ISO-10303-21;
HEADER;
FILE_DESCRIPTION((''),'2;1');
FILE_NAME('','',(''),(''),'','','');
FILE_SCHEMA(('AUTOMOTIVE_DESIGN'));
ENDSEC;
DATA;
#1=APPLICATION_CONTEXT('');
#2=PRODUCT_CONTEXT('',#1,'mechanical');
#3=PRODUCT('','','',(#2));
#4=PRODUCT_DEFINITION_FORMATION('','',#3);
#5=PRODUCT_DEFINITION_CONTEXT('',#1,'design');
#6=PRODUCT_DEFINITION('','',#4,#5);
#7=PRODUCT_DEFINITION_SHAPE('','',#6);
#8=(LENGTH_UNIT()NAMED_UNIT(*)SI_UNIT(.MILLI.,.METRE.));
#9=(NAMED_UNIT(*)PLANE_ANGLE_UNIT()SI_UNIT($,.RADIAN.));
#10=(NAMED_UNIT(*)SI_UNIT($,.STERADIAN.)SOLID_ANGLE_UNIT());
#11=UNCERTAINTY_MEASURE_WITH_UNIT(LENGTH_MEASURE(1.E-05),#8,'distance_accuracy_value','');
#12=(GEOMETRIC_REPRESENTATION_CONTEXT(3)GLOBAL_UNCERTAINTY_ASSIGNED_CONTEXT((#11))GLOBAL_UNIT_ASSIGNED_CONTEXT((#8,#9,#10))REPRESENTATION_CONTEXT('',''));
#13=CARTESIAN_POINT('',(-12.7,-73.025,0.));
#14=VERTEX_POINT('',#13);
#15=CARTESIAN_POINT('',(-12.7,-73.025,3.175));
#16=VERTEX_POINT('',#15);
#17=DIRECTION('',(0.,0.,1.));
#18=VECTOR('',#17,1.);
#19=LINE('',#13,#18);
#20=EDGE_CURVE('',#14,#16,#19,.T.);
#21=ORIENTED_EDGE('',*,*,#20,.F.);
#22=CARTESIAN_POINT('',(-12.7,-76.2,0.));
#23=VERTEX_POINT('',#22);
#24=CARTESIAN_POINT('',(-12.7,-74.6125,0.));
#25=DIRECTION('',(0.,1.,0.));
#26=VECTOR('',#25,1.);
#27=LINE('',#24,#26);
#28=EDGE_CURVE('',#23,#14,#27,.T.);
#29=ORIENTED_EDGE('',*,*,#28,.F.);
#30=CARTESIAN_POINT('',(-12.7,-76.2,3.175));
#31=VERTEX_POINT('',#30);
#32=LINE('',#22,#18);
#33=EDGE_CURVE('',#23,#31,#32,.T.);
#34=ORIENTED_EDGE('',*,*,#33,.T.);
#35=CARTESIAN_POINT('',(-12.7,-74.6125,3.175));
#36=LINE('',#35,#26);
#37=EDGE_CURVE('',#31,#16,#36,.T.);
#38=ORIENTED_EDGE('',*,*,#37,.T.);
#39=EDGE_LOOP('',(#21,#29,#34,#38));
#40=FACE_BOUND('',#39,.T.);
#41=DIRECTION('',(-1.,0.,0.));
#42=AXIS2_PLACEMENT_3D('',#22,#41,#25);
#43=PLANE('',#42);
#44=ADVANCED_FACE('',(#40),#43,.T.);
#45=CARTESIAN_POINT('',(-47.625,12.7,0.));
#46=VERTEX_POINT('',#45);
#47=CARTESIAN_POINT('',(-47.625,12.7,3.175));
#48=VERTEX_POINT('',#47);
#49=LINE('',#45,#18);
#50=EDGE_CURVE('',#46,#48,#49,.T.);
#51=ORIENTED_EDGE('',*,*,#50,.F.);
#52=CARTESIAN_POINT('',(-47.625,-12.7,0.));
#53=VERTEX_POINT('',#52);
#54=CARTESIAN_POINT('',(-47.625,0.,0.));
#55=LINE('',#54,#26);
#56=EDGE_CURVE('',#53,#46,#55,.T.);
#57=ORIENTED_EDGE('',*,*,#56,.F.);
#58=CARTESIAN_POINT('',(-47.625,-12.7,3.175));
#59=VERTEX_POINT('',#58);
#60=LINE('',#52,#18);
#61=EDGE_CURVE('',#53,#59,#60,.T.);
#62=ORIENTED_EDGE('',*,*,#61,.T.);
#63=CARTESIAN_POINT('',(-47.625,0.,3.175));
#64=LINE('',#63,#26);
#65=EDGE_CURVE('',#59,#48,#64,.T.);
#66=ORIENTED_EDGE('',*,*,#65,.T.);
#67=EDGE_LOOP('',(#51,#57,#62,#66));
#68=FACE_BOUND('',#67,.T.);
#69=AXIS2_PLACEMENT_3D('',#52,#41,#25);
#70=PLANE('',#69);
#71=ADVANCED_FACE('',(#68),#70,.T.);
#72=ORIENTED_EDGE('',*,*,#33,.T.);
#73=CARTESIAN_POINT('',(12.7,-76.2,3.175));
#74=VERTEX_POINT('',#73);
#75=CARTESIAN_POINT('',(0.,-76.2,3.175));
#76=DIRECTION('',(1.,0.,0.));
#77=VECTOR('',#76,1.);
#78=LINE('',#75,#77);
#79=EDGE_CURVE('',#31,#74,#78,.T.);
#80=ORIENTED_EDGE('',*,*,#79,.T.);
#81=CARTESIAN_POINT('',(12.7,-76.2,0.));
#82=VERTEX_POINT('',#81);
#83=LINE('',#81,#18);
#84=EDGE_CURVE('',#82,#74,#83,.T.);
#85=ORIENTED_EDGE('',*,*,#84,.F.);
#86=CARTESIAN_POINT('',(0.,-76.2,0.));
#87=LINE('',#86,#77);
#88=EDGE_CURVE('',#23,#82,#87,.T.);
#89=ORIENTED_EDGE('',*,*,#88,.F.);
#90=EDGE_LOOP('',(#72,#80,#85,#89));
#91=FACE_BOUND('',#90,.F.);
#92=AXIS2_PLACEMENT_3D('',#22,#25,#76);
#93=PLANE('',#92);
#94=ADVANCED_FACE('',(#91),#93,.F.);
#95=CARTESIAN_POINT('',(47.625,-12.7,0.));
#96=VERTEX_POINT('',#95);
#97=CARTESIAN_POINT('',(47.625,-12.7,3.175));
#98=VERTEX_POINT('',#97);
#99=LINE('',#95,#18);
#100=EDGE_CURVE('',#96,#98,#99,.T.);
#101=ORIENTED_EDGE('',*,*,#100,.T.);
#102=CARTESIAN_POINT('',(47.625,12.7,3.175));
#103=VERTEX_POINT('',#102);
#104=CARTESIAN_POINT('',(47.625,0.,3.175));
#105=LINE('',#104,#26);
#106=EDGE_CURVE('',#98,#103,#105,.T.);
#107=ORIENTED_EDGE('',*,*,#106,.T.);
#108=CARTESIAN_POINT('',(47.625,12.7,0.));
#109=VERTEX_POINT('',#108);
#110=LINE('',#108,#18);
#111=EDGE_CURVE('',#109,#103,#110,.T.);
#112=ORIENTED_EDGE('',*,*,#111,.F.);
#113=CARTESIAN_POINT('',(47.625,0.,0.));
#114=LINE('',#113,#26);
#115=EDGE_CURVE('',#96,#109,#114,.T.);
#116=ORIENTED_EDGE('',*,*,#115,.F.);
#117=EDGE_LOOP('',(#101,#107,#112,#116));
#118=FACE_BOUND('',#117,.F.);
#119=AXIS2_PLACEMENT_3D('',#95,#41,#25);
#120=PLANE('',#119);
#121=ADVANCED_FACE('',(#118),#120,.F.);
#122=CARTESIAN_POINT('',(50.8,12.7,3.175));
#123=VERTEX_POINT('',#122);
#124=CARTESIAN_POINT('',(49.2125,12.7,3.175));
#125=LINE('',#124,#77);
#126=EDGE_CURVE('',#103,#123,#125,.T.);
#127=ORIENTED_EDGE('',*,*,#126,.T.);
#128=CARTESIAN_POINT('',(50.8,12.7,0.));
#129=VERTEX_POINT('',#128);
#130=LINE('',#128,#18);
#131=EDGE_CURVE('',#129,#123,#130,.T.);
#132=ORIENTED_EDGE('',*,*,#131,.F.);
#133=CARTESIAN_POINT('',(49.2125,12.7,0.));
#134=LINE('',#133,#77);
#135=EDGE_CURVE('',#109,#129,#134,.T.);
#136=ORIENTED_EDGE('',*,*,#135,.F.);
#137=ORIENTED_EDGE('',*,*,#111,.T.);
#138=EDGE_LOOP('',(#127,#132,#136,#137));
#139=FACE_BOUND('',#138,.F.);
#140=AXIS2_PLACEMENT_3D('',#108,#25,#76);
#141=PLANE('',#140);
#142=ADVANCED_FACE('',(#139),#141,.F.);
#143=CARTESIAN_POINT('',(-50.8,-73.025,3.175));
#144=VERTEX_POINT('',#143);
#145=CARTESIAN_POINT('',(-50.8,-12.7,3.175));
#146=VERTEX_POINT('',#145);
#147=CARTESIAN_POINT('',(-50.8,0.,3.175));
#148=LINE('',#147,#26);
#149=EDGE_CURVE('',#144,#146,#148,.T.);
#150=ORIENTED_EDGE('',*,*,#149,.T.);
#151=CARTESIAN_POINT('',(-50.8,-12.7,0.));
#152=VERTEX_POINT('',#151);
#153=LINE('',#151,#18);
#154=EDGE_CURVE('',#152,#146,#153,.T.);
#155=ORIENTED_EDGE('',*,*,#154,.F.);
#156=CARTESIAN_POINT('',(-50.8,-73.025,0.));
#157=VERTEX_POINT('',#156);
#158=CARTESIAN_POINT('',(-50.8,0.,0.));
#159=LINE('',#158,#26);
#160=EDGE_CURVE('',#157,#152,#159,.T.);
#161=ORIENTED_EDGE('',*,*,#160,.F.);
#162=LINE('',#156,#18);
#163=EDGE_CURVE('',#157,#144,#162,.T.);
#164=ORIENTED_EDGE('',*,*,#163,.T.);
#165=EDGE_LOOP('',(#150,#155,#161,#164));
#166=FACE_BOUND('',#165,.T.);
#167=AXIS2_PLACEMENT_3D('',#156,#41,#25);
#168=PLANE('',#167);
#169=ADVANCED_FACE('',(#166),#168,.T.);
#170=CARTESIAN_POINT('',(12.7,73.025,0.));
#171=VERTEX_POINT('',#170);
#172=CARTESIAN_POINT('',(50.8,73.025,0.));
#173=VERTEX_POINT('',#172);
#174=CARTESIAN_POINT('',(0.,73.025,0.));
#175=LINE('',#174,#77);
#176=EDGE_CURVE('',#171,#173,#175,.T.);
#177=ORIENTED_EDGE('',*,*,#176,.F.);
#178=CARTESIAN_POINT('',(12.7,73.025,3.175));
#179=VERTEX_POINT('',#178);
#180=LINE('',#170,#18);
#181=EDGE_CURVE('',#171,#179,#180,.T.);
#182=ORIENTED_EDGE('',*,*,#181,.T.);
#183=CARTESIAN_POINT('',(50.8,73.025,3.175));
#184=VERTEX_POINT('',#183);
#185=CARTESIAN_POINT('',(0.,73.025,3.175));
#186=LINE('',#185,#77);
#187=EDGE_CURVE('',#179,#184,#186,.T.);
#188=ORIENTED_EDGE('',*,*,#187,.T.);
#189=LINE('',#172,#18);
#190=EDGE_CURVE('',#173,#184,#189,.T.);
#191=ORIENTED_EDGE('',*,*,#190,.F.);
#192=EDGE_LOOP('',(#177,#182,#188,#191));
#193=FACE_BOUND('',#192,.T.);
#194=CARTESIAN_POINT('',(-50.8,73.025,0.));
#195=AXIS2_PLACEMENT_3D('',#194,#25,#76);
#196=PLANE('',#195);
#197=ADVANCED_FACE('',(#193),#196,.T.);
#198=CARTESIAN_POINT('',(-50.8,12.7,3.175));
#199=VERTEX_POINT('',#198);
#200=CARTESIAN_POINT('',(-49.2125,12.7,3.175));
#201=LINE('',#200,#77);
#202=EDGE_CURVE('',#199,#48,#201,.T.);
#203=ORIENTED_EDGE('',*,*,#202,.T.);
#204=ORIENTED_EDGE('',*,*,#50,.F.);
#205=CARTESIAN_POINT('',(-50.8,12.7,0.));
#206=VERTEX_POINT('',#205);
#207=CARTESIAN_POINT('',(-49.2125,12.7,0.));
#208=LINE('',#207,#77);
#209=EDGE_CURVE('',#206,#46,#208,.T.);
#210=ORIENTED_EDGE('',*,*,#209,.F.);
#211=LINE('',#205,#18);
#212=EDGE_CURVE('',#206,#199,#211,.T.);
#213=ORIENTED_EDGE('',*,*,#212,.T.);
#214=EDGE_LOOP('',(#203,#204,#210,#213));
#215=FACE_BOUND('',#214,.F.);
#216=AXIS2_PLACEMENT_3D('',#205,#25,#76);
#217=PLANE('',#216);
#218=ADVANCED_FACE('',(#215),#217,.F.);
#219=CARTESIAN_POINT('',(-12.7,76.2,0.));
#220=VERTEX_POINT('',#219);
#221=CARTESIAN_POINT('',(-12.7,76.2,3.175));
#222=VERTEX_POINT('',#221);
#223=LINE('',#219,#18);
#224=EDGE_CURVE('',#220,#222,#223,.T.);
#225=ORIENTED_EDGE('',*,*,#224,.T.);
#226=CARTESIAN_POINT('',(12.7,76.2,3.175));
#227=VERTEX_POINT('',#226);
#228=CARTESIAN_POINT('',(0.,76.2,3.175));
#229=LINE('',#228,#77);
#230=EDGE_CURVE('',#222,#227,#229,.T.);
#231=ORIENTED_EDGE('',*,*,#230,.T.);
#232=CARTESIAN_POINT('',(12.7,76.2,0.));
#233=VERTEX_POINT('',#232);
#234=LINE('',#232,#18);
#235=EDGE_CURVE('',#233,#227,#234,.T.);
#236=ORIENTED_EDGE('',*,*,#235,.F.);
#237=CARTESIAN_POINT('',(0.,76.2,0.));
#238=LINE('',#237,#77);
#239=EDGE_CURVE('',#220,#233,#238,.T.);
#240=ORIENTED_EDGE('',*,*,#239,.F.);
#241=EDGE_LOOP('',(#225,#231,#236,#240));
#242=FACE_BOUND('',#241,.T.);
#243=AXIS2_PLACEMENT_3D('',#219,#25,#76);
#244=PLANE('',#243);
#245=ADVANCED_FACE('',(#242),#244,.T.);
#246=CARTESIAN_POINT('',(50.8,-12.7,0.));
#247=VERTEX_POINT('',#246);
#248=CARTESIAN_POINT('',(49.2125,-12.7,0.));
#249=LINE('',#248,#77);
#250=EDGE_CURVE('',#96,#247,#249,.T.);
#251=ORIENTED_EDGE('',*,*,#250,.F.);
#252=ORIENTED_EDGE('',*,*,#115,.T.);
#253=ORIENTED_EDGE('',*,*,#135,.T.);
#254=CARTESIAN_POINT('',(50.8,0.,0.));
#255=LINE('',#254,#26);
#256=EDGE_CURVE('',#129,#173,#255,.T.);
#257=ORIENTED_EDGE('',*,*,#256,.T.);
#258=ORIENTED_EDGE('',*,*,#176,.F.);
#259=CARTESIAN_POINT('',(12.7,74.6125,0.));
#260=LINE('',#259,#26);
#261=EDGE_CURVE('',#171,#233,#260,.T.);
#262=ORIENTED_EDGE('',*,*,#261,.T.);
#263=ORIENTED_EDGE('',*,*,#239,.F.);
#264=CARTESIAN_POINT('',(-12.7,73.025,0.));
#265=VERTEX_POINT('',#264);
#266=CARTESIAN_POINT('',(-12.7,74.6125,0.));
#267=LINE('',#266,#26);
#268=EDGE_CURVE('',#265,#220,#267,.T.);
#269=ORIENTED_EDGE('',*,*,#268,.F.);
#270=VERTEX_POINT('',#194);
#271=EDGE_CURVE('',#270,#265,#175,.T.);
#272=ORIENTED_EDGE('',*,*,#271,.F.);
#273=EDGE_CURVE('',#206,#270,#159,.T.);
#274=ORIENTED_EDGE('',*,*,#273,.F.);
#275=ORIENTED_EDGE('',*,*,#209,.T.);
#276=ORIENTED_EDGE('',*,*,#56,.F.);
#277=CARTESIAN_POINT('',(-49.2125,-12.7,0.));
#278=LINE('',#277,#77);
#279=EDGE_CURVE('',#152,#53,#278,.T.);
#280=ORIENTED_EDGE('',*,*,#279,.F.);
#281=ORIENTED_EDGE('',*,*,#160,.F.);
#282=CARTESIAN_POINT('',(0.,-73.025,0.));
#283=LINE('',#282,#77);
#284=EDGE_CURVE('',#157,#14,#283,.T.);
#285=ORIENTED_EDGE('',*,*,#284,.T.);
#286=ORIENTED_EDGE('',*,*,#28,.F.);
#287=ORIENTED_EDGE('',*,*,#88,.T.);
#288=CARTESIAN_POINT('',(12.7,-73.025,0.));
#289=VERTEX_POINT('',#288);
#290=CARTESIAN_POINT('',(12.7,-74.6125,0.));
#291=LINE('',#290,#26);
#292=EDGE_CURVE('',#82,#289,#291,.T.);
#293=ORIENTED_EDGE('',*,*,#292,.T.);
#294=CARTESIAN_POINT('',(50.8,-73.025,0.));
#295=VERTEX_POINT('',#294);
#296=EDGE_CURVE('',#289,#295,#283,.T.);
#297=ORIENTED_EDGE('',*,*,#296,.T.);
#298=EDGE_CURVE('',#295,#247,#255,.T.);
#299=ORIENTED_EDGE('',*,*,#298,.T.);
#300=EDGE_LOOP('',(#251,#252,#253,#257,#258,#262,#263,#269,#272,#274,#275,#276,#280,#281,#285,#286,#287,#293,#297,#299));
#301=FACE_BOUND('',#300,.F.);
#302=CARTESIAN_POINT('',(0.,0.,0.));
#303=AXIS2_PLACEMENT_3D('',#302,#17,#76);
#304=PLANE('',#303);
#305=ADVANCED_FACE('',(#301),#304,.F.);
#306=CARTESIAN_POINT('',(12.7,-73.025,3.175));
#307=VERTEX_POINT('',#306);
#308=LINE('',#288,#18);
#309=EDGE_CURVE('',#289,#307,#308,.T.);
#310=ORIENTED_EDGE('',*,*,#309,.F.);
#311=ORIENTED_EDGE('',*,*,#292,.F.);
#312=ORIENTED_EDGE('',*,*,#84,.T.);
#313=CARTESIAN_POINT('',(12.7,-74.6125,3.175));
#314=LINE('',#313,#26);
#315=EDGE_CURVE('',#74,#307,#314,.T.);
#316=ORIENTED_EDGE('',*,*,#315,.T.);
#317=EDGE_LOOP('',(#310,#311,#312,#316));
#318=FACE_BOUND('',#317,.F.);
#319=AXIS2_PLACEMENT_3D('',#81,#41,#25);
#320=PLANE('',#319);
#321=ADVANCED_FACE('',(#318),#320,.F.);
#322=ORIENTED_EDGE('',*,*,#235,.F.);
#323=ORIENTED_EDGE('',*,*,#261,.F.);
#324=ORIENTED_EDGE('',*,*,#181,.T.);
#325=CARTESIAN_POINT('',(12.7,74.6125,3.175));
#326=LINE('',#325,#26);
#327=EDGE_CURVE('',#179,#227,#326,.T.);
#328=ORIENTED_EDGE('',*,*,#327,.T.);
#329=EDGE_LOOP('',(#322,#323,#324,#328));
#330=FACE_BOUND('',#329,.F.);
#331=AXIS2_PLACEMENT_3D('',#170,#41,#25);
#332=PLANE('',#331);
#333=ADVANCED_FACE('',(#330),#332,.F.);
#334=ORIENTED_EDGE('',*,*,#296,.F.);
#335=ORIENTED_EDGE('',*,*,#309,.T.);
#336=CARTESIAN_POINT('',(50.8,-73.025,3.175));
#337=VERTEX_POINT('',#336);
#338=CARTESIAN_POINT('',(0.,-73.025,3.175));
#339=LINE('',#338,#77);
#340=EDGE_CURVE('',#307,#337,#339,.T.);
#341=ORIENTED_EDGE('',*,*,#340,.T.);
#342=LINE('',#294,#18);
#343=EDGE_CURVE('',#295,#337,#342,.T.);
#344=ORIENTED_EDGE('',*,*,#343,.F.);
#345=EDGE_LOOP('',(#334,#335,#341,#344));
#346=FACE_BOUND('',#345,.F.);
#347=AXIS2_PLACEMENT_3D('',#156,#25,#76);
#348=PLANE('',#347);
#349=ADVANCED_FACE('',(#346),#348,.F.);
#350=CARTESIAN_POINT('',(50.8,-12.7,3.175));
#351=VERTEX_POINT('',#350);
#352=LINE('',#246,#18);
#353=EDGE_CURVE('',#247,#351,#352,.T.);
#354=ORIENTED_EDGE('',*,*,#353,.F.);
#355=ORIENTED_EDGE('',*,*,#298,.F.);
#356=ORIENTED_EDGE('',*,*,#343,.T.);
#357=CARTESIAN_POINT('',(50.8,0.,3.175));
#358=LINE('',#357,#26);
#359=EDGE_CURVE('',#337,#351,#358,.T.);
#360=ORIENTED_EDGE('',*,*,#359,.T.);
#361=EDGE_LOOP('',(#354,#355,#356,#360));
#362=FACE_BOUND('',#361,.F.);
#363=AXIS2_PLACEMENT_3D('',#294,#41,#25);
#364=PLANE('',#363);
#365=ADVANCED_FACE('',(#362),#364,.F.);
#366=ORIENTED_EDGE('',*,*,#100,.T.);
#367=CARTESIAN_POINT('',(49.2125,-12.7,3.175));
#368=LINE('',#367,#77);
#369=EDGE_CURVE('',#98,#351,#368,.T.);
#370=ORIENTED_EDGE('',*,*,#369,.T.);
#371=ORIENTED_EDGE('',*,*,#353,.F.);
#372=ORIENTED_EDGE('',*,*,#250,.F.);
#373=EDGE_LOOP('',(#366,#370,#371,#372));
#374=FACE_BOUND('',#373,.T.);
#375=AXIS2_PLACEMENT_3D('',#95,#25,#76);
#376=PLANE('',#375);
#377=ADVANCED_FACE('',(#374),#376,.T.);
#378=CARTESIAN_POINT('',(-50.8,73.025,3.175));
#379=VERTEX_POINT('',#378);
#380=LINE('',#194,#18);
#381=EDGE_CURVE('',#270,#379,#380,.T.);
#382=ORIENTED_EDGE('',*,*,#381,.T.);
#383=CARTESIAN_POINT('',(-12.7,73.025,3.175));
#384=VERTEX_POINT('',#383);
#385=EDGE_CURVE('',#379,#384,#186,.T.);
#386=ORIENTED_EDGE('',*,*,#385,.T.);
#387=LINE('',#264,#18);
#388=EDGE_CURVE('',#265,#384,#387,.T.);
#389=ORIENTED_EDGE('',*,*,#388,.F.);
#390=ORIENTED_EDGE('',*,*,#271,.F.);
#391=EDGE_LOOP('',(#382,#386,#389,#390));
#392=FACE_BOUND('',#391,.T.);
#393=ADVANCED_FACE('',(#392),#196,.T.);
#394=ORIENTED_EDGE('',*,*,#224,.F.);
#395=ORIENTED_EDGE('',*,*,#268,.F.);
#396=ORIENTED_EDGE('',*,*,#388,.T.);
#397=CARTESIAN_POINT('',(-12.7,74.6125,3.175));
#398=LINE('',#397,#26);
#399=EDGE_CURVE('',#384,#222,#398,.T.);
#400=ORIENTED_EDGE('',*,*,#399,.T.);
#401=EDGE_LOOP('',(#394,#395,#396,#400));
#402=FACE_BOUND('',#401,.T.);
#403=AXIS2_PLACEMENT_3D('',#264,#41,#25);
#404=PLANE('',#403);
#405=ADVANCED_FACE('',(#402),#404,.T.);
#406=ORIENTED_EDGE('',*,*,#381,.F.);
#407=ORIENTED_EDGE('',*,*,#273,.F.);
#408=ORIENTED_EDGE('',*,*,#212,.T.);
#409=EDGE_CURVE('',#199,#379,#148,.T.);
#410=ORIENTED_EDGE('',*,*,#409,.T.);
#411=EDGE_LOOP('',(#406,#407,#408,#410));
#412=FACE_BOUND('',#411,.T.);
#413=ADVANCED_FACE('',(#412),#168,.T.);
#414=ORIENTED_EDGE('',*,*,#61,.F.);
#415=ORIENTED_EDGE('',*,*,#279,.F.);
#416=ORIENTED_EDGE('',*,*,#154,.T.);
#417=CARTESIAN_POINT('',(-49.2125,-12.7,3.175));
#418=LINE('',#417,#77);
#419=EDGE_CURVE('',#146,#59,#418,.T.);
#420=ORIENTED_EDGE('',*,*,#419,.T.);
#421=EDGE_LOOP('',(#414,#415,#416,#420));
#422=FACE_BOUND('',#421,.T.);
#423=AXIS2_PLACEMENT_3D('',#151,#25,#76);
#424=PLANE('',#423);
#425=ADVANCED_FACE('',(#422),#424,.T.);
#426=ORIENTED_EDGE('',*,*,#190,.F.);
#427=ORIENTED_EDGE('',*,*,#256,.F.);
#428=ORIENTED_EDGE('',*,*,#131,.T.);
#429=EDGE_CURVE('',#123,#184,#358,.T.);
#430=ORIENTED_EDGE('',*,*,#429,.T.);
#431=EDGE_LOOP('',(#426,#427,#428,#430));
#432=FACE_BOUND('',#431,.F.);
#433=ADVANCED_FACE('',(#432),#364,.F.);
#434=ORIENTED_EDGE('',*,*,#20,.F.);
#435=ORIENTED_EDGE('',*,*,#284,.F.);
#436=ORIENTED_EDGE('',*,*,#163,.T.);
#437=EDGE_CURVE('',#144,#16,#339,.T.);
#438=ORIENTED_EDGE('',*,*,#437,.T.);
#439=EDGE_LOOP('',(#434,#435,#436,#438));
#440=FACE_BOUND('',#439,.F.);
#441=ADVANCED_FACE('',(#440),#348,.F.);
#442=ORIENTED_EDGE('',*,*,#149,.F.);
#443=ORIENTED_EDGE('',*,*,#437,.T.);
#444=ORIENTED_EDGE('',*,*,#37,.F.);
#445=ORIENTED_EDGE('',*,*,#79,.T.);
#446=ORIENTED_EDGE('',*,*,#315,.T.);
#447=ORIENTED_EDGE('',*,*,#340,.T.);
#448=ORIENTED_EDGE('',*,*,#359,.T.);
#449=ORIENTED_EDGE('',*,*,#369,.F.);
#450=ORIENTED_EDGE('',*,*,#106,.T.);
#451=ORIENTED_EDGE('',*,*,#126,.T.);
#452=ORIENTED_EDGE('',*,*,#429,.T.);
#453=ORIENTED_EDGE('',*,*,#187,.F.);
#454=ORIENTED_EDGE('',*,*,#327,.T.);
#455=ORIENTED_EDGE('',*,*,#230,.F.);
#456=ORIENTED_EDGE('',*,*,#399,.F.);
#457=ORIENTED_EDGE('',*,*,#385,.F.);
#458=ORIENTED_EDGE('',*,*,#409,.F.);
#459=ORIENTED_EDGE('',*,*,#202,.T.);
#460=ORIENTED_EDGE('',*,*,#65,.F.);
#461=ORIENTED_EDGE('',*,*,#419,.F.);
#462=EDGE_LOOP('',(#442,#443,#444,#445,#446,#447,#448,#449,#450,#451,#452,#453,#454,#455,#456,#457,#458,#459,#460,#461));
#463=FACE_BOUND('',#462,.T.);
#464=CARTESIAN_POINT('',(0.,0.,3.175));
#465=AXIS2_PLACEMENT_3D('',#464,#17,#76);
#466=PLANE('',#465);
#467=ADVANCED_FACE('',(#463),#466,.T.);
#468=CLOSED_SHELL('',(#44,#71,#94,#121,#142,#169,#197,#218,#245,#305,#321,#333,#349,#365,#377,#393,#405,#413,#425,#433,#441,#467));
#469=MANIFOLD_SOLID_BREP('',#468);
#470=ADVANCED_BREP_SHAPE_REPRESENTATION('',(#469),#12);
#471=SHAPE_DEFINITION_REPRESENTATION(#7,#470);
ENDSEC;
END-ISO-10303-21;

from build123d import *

# Parameters (mm, degrees)
F0_W     = 101.6
F0_H     = 146.05
F1_DEPTH = 3.175
F2_W     = 3.175
F2_H     = 25.4
F3_DEPTH = 3.175
F4_W     = 25.4
F4_H     = 3.175
F5_DEPTH = 3.175


with BuildPart() as f1:
    # F0 (on Top) → F1 (new body)
    with BuildSketch(Plane.XY):
        Rectangle(F0_W, F0_H)
    extrude(amount=F1_DEPTH)

    # F2 (on Top) → F3 (cut)
    with BuildSketch(Plane.XY):
        with Locations((-49.2125, 0)):
            Rectangle(F2_W, F2_H)
        with Locations((49.2125, 0)):
            Rectangle(F2_W, F2_H)
    extrude(amount=F3_DEPTH, mode=Mode.SUBTRACT)

    # F4 (on Top) → F5 (join)
    with BuildSketch(Plane.XY):
        with Locations((0, 74.6125)):
            Rectangle(F4_W, F4_H)
        with Locations((0, -74.6125)):
            Rectangle(F4_W, F4_H)
    extrude(amount=F5_DEPTH)


solid = f1.part
